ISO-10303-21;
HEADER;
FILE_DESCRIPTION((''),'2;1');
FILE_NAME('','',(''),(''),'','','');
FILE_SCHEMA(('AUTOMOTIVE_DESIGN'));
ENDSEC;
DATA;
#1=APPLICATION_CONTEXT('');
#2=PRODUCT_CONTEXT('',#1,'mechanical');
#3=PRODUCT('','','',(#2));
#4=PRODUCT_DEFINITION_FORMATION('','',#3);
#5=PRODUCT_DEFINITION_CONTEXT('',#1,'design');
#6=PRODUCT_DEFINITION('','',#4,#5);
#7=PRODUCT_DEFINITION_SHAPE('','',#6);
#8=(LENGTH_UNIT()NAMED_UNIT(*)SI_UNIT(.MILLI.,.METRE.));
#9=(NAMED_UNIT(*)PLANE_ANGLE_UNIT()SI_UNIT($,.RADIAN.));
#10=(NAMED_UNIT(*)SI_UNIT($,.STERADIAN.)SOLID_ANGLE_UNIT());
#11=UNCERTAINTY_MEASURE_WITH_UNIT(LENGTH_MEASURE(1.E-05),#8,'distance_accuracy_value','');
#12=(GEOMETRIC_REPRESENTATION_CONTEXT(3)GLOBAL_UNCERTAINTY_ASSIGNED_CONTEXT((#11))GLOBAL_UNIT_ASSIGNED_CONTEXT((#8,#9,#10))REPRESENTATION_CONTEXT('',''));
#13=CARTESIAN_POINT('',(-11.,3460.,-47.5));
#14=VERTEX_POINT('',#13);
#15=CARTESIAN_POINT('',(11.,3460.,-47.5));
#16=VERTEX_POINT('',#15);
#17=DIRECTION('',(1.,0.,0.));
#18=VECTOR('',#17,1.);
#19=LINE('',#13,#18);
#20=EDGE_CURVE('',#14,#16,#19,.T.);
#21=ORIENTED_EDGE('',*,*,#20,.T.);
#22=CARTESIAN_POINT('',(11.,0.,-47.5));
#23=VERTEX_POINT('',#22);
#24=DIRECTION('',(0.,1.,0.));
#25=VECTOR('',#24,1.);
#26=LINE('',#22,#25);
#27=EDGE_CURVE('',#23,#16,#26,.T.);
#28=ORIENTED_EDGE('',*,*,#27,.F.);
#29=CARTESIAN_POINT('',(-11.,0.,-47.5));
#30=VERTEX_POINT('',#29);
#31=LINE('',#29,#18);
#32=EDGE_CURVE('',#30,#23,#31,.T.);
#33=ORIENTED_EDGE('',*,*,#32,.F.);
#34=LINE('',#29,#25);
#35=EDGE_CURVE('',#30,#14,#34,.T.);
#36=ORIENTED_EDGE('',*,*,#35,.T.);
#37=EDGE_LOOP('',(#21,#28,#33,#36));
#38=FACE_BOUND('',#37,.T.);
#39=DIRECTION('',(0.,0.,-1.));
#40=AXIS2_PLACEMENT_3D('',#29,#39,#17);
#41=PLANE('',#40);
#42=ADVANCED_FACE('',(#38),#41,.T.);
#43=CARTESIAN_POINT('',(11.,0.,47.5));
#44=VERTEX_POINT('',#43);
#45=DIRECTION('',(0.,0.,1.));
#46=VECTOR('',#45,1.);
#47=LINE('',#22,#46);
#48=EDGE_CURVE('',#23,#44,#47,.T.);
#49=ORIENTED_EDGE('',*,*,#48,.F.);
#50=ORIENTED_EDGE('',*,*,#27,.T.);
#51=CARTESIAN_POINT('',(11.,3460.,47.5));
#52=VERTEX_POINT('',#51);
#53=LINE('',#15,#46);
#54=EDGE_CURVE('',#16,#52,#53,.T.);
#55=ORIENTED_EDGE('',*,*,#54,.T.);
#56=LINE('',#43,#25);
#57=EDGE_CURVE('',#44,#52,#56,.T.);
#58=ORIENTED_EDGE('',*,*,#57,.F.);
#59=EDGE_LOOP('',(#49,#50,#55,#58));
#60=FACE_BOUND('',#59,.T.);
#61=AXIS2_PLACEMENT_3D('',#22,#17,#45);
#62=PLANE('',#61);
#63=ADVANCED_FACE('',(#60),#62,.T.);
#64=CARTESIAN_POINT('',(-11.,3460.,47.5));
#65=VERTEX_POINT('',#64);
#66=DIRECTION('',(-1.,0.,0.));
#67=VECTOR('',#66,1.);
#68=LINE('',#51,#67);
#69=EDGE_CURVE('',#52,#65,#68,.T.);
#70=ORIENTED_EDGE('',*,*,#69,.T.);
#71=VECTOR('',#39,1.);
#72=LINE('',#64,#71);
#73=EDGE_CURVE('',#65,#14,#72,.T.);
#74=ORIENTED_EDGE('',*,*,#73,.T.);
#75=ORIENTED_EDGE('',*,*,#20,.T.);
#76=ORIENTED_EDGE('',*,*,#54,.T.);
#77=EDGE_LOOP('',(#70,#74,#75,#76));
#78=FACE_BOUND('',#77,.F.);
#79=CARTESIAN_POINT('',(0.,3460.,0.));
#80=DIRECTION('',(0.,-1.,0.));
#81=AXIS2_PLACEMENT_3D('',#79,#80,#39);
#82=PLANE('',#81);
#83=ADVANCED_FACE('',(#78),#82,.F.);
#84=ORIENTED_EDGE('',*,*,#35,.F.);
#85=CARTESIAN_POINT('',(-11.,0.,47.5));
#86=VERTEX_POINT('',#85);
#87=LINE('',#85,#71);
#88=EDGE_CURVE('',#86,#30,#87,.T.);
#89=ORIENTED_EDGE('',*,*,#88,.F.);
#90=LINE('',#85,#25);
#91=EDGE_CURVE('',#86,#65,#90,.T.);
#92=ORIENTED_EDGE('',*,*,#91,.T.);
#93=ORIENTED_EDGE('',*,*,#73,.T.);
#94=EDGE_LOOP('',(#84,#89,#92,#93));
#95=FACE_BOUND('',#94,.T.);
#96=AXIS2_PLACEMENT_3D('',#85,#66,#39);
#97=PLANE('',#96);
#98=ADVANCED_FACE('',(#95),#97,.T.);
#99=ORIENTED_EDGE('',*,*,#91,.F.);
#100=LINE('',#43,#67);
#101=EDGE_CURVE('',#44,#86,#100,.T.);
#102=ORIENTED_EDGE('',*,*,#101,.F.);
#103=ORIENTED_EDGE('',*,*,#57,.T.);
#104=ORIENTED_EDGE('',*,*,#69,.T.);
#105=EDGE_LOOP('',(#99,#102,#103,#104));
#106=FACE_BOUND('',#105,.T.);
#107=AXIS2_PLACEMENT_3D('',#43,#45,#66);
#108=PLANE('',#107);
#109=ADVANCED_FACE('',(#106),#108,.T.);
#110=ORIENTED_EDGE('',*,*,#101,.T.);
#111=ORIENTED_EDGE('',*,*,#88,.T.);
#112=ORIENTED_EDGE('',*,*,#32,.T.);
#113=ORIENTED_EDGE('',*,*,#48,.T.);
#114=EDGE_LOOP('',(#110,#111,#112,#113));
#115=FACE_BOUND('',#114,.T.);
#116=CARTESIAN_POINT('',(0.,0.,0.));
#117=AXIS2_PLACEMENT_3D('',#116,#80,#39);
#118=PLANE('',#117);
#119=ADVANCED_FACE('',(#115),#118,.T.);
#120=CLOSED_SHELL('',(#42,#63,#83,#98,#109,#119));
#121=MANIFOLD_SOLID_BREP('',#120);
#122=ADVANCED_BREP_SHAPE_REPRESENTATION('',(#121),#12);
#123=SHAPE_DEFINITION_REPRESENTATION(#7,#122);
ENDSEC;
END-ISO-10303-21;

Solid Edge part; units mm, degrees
sketch "Sketch1" plane through (0, 0, 0) normal (0, -1, 0) x (1, 0, 0)
  line L0 (-11, -47.5) -> (11, -47.5)
  line L1 (11, -47.5) -> (11, 47.5)
  line L2 (11, 47.5) -> (-11, 47.5)
  line L3 (-11, 47.5) -> (-11, -47.5)
extrude "Protrusion1" add sketch "Sketch1" against normal blind 3460
properties material "Wood, Pine"
